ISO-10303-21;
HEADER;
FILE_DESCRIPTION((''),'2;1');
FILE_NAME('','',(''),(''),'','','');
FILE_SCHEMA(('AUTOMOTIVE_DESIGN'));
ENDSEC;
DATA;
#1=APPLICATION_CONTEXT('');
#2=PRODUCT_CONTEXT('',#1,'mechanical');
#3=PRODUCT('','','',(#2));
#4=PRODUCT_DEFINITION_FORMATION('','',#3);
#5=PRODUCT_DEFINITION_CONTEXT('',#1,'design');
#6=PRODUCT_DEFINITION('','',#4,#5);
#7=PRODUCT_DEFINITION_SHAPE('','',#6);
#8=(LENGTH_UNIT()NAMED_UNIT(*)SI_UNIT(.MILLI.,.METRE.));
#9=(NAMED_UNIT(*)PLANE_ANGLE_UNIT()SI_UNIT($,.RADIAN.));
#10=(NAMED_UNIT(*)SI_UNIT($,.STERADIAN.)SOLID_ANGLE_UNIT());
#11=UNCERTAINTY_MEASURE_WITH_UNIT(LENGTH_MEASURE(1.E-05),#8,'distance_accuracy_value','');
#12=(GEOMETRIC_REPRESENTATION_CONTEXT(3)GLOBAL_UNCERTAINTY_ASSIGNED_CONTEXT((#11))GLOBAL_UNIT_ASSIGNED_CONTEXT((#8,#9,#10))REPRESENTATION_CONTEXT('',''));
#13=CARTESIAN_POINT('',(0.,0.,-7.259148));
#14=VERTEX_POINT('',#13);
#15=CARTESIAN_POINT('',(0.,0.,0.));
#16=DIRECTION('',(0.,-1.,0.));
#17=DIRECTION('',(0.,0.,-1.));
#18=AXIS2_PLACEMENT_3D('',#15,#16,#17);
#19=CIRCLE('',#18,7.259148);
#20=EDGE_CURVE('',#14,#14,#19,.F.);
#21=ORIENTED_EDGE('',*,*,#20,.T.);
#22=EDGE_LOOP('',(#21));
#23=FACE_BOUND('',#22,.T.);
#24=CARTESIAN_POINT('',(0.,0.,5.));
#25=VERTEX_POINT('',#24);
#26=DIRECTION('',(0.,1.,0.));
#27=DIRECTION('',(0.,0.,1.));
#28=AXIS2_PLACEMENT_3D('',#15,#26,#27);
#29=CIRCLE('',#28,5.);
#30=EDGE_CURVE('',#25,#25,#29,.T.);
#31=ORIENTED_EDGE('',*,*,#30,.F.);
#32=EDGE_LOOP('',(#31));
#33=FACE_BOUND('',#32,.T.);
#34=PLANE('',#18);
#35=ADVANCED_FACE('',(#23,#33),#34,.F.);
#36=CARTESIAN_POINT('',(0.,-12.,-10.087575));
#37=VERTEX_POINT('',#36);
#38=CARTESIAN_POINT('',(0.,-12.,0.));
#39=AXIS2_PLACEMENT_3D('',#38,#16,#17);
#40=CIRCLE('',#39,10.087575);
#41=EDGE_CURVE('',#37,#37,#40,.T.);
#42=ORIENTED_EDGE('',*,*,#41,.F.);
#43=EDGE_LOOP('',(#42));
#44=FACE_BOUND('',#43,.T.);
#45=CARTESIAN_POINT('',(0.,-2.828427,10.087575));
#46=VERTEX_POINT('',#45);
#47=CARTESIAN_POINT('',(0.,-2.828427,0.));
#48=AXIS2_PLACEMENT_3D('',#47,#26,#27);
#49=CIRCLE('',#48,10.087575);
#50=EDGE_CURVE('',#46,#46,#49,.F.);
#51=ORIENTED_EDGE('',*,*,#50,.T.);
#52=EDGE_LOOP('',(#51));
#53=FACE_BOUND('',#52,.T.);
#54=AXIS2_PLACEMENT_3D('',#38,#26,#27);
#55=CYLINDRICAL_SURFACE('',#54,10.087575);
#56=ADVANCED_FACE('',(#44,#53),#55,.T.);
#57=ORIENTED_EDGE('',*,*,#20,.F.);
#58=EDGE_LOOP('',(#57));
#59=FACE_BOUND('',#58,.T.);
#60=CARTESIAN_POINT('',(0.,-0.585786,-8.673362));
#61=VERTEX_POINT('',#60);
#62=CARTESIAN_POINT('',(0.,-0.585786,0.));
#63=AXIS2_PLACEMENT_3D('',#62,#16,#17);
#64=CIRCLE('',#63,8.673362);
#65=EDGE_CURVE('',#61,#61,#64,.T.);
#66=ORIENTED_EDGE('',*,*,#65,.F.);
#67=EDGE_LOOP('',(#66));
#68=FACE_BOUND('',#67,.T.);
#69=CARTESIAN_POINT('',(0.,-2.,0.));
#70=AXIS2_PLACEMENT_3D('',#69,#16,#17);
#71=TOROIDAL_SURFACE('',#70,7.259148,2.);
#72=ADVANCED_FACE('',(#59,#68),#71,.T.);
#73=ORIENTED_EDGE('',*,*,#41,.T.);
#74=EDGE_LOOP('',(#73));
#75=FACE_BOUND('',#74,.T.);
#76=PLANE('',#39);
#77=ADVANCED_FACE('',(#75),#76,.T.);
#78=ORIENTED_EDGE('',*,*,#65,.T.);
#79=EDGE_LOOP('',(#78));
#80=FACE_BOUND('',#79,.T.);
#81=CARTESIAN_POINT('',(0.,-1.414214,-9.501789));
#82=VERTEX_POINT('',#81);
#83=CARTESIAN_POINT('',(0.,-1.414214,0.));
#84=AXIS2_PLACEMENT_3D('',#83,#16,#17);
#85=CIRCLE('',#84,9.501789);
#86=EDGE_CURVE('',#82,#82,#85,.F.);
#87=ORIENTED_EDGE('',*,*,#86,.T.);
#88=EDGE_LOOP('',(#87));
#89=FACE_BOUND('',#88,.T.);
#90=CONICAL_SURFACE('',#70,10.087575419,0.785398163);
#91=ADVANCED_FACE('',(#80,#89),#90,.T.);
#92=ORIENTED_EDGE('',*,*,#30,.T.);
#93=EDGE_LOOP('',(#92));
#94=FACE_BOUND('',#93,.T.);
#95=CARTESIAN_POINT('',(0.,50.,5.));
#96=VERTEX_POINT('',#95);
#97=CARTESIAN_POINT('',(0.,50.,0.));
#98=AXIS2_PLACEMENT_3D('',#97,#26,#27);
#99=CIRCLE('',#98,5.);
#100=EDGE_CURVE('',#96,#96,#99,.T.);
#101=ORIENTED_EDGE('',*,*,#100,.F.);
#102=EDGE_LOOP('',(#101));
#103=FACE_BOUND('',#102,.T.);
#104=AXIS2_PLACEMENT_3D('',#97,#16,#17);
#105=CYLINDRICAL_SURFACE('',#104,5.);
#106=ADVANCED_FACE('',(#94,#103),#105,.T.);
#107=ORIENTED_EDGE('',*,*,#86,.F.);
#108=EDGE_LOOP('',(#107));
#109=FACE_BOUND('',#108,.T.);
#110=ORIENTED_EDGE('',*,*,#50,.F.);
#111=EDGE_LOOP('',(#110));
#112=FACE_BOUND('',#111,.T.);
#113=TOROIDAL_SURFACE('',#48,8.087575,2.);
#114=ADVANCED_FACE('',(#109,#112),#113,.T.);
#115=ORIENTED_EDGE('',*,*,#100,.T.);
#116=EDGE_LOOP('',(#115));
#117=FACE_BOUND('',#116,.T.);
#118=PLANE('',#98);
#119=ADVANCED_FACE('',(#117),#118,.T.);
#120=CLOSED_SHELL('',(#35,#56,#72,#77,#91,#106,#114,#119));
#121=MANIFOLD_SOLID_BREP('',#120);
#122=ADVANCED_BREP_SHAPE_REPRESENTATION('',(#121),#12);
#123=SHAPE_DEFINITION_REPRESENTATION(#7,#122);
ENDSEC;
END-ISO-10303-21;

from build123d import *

# Parameters (mm, degrees)
SKETCH2_R           = 5
BOSS_EXTRUDE1_DEPTH = 50
SKETCH3_R           = 10.087575419
BOSS_EXTRUDE2_DEPTH = 12
CHAMFER1_SIZE       = 2
FILLET2_R           = 2
FILLET3_R           = 2


with BuildPart() as part:
    # Sketch2 → Boss-Extrude1 (new body)
    with BuildSketch(Plane(origin=(0, 0, 0), x_dir=(1, 0, 0), z_dir=(0, 1, 0))):
        with Locations(Location((0, 0, 0), (0, 0, 270))):
            Circle(SKETCH2_R)
    extrude(amount=BOSS_EXTRUDE1_DEPTH)

    # Sketch3 → Boss-Extrude2 (add)
    with BuildSketch(Plane.XZ):
        with Locations(Location((0, 0, 0), (0, 0, 270))):
            Circle(SKETCH3_R)
    extrude(amount=BOSS_EXTRUDE2_DEPTH)

    # Chamfer1
    chamfer1_edges = [part.edges().sort_by_distance(p)[0] for p in [
        (0, 0, 10.087575419),
    ]]
    chamfer(chamfer1_edges, length=CHAMFER1_SIZE)

    # Fillet2
    fillet2_edges = [part.edges().sort_by_distance(p)[0] for p in [
        (0, 0, 8.087575419),
    ]]
    fillet(fillet2_edges, radius=FILLET2_R)

    # Fillet3
    fillet3_edges = [part.edges().sort_by_distance(p)[0] for p in [
        (0, -2, 10.087575419),
    ]]
    fillet(fillet3_edges, radius=FILLET3_R)


solid = part.part
